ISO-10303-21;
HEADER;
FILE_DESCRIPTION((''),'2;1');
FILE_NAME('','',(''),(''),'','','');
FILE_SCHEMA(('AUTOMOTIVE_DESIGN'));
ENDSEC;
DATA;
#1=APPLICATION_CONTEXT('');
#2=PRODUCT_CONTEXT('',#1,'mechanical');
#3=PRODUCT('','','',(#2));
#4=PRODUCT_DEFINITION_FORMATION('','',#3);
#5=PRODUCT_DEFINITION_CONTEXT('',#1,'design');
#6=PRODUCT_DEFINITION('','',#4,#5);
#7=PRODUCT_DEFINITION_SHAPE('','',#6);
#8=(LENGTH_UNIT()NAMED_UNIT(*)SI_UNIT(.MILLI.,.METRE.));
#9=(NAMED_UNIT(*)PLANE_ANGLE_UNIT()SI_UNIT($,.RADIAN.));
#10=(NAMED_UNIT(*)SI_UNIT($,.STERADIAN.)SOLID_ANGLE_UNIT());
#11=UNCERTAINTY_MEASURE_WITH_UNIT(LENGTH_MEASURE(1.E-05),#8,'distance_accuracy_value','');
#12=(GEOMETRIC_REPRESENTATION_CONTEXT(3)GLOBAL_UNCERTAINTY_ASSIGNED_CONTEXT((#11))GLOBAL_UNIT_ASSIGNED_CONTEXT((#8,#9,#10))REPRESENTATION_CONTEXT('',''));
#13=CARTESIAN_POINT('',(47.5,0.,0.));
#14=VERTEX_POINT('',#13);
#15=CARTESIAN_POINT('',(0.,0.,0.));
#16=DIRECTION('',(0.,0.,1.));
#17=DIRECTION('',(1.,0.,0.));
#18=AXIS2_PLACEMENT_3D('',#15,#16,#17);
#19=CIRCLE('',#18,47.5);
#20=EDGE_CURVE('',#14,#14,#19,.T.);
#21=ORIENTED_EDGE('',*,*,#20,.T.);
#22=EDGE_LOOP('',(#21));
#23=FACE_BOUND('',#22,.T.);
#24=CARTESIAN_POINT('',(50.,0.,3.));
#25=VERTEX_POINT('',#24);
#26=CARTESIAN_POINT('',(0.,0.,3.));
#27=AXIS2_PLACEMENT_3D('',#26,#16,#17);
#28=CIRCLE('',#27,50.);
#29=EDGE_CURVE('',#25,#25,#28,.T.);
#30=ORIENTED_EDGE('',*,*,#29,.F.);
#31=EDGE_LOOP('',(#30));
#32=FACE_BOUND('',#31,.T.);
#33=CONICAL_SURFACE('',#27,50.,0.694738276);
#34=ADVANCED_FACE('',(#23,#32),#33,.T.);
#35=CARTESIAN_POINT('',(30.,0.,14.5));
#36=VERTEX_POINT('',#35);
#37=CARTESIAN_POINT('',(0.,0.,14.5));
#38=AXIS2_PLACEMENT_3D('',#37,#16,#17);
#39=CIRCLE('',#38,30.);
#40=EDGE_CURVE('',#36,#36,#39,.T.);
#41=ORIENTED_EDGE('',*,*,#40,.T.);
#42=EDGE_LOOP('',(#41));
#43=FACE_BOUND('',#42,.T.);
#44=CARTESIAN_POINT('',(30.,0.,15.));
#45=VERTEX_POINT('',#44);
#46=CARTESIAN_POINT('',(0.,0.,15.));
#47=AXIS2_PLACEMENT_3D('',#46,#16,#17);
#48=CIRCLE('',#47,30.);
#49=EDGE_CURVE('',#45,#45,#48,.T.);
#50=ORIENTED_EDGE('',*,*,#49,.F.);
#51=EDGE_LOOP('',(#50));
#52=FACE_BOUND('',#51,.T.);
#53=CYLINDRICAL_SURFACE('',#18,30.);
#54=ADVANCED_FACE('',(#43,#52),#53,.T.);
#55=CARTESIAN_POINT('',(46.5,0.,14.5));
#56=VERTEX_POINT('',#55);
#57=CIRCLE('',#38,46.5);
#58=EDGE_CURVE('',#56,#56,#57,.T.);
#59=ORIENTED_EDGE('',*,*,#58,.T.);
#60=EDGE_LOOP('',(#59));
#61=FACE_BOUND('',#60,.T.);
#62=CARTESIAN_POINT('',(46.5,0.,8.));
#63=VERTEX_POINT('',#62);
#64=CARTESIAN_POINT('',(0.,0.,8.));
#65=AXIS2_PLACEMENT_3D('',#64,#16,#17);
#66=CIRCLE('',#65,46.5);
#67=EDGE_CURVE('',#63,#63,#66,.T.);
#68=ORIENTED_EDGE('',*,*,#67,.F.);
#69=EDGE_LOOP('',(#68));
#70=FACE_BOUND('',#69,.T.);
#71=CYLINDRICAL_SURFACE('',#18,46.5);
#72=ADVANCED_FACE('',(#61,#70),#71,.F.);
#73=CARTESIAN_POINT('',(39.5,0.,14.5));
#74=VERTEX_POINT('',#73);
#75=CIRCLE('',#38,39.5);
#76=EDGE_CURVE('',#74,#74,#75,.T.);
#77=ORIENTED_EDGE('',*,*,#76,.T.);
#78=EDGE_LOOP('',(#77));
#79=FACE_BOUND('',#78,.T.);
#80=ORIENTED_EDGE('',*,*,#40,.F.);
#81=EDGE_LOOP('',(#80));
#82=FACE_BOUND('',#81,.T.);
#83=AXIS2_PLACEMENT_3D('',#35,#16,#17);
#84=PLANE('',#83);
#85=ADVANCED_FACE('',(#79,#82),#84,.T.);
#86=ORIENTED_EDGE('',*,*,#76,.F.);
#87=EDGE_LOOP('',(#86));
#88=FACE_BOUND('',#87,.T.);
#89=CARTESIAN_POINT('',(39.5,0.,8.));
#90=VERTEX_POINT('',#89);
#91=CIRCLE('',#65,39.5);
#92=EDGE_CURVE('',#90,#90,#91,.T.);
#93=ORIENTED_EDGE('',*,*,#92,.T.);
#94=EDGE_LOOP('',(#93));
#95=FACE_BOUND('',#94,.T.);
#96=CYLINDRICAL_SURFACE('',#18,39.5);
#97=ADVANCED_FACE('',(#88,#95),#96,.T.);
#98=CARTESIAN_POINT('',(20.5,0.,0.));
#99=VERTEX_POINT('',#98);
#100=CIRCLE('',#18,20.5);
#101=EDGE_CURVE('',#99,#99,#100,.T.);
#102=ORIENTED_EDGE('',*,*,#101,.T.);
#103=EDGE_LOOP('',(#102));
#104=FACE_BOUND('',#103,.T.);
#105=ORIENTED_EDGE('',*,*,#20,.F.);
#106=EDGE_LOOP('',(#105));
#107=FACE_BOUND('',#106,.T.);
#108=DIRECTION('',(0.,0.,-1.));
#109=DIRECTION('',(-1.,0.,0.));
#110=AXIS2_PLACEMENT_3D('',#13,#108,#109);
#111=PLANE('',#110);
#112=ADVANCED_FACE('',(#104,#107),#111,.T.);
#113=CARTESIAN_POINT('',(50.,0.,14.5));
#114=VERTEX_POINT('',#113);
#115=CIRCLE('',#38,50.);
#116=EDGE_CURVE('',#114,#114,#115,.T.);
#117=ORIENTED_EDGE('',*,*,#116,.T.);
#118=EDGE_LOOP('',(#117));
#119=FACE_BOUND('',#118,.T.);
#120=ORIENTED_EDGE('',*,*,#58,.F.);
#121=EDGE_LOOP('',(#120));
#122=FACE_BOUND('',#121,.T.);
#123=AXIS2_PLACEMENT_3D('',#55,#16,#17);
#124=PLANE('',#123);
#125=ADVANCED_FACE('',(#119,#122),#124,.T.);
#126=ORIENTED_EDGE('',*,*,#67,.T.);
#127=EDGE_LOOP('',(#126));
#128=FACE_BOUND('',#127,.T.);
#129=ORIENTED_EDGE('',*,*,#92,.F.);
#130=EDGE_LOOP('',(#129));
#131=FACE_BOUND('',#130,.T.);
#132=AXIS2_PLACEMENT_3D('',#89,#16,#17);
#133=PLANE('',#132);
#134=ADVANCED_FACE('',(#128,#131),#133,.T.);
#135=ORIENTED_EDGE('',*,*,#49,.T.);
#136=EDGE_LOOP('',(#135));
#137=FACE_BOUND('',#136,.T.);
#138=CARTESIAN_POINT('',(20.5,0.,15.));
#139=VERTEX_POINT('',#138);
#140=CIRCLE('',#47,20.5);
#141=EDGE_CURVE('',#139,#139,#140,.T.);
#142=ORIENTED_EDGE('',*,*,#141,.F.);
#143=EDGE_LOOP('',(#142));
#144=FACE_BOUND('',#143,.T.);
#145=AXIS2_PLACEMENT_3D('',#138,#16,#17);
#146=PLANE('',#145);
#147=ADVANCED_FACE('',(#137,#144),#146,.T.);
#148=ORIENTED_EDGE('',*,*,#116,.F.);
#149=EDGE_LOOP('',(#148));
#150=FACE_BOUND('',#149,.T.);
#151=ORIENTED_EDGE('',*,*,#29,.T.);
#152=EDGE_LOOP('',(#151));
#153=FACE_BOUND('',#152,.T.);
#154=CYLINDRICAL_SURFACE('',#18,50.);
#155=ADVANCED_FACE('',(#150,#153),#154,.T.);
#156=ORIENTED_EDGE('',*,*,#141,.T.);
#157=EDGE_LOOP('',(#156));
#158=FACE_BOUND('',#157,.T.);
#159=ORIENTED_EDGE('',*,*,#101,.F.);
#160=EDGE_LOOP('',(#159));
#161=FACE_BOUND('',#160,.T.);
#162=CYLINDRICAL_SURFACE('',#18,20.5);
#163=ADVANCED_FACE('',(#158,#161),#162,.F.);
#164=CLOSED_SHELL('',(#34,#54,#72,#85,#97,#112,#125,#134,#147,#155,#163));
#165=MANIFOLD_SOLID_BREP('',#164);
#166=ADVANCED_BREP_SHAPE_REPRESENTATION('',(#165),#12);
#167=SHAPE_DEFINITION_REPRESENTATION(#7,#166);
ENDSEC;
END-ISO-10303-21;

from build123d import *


with BuildPart() as part:
    # Esquisse1 → Révolution1 (revolve)
    with BuildSketch(Plane(origin=(0, 0, 0), x_dir=(1, 0, 0), z_dir=(0, 1, 0))):
        Polygon((39.5, -8), (46.5, -8), (46.5, -14.5), (50, -14.5), (50, -3), (47.5, 0), (20.5, 0), (20.5, -15), (30, -15), (30, -14.5), (39.5, -14.5), align=None)
    revolve(axis=Axis((0, 0, 0), (0, 0, 1)))


solid = part.part
